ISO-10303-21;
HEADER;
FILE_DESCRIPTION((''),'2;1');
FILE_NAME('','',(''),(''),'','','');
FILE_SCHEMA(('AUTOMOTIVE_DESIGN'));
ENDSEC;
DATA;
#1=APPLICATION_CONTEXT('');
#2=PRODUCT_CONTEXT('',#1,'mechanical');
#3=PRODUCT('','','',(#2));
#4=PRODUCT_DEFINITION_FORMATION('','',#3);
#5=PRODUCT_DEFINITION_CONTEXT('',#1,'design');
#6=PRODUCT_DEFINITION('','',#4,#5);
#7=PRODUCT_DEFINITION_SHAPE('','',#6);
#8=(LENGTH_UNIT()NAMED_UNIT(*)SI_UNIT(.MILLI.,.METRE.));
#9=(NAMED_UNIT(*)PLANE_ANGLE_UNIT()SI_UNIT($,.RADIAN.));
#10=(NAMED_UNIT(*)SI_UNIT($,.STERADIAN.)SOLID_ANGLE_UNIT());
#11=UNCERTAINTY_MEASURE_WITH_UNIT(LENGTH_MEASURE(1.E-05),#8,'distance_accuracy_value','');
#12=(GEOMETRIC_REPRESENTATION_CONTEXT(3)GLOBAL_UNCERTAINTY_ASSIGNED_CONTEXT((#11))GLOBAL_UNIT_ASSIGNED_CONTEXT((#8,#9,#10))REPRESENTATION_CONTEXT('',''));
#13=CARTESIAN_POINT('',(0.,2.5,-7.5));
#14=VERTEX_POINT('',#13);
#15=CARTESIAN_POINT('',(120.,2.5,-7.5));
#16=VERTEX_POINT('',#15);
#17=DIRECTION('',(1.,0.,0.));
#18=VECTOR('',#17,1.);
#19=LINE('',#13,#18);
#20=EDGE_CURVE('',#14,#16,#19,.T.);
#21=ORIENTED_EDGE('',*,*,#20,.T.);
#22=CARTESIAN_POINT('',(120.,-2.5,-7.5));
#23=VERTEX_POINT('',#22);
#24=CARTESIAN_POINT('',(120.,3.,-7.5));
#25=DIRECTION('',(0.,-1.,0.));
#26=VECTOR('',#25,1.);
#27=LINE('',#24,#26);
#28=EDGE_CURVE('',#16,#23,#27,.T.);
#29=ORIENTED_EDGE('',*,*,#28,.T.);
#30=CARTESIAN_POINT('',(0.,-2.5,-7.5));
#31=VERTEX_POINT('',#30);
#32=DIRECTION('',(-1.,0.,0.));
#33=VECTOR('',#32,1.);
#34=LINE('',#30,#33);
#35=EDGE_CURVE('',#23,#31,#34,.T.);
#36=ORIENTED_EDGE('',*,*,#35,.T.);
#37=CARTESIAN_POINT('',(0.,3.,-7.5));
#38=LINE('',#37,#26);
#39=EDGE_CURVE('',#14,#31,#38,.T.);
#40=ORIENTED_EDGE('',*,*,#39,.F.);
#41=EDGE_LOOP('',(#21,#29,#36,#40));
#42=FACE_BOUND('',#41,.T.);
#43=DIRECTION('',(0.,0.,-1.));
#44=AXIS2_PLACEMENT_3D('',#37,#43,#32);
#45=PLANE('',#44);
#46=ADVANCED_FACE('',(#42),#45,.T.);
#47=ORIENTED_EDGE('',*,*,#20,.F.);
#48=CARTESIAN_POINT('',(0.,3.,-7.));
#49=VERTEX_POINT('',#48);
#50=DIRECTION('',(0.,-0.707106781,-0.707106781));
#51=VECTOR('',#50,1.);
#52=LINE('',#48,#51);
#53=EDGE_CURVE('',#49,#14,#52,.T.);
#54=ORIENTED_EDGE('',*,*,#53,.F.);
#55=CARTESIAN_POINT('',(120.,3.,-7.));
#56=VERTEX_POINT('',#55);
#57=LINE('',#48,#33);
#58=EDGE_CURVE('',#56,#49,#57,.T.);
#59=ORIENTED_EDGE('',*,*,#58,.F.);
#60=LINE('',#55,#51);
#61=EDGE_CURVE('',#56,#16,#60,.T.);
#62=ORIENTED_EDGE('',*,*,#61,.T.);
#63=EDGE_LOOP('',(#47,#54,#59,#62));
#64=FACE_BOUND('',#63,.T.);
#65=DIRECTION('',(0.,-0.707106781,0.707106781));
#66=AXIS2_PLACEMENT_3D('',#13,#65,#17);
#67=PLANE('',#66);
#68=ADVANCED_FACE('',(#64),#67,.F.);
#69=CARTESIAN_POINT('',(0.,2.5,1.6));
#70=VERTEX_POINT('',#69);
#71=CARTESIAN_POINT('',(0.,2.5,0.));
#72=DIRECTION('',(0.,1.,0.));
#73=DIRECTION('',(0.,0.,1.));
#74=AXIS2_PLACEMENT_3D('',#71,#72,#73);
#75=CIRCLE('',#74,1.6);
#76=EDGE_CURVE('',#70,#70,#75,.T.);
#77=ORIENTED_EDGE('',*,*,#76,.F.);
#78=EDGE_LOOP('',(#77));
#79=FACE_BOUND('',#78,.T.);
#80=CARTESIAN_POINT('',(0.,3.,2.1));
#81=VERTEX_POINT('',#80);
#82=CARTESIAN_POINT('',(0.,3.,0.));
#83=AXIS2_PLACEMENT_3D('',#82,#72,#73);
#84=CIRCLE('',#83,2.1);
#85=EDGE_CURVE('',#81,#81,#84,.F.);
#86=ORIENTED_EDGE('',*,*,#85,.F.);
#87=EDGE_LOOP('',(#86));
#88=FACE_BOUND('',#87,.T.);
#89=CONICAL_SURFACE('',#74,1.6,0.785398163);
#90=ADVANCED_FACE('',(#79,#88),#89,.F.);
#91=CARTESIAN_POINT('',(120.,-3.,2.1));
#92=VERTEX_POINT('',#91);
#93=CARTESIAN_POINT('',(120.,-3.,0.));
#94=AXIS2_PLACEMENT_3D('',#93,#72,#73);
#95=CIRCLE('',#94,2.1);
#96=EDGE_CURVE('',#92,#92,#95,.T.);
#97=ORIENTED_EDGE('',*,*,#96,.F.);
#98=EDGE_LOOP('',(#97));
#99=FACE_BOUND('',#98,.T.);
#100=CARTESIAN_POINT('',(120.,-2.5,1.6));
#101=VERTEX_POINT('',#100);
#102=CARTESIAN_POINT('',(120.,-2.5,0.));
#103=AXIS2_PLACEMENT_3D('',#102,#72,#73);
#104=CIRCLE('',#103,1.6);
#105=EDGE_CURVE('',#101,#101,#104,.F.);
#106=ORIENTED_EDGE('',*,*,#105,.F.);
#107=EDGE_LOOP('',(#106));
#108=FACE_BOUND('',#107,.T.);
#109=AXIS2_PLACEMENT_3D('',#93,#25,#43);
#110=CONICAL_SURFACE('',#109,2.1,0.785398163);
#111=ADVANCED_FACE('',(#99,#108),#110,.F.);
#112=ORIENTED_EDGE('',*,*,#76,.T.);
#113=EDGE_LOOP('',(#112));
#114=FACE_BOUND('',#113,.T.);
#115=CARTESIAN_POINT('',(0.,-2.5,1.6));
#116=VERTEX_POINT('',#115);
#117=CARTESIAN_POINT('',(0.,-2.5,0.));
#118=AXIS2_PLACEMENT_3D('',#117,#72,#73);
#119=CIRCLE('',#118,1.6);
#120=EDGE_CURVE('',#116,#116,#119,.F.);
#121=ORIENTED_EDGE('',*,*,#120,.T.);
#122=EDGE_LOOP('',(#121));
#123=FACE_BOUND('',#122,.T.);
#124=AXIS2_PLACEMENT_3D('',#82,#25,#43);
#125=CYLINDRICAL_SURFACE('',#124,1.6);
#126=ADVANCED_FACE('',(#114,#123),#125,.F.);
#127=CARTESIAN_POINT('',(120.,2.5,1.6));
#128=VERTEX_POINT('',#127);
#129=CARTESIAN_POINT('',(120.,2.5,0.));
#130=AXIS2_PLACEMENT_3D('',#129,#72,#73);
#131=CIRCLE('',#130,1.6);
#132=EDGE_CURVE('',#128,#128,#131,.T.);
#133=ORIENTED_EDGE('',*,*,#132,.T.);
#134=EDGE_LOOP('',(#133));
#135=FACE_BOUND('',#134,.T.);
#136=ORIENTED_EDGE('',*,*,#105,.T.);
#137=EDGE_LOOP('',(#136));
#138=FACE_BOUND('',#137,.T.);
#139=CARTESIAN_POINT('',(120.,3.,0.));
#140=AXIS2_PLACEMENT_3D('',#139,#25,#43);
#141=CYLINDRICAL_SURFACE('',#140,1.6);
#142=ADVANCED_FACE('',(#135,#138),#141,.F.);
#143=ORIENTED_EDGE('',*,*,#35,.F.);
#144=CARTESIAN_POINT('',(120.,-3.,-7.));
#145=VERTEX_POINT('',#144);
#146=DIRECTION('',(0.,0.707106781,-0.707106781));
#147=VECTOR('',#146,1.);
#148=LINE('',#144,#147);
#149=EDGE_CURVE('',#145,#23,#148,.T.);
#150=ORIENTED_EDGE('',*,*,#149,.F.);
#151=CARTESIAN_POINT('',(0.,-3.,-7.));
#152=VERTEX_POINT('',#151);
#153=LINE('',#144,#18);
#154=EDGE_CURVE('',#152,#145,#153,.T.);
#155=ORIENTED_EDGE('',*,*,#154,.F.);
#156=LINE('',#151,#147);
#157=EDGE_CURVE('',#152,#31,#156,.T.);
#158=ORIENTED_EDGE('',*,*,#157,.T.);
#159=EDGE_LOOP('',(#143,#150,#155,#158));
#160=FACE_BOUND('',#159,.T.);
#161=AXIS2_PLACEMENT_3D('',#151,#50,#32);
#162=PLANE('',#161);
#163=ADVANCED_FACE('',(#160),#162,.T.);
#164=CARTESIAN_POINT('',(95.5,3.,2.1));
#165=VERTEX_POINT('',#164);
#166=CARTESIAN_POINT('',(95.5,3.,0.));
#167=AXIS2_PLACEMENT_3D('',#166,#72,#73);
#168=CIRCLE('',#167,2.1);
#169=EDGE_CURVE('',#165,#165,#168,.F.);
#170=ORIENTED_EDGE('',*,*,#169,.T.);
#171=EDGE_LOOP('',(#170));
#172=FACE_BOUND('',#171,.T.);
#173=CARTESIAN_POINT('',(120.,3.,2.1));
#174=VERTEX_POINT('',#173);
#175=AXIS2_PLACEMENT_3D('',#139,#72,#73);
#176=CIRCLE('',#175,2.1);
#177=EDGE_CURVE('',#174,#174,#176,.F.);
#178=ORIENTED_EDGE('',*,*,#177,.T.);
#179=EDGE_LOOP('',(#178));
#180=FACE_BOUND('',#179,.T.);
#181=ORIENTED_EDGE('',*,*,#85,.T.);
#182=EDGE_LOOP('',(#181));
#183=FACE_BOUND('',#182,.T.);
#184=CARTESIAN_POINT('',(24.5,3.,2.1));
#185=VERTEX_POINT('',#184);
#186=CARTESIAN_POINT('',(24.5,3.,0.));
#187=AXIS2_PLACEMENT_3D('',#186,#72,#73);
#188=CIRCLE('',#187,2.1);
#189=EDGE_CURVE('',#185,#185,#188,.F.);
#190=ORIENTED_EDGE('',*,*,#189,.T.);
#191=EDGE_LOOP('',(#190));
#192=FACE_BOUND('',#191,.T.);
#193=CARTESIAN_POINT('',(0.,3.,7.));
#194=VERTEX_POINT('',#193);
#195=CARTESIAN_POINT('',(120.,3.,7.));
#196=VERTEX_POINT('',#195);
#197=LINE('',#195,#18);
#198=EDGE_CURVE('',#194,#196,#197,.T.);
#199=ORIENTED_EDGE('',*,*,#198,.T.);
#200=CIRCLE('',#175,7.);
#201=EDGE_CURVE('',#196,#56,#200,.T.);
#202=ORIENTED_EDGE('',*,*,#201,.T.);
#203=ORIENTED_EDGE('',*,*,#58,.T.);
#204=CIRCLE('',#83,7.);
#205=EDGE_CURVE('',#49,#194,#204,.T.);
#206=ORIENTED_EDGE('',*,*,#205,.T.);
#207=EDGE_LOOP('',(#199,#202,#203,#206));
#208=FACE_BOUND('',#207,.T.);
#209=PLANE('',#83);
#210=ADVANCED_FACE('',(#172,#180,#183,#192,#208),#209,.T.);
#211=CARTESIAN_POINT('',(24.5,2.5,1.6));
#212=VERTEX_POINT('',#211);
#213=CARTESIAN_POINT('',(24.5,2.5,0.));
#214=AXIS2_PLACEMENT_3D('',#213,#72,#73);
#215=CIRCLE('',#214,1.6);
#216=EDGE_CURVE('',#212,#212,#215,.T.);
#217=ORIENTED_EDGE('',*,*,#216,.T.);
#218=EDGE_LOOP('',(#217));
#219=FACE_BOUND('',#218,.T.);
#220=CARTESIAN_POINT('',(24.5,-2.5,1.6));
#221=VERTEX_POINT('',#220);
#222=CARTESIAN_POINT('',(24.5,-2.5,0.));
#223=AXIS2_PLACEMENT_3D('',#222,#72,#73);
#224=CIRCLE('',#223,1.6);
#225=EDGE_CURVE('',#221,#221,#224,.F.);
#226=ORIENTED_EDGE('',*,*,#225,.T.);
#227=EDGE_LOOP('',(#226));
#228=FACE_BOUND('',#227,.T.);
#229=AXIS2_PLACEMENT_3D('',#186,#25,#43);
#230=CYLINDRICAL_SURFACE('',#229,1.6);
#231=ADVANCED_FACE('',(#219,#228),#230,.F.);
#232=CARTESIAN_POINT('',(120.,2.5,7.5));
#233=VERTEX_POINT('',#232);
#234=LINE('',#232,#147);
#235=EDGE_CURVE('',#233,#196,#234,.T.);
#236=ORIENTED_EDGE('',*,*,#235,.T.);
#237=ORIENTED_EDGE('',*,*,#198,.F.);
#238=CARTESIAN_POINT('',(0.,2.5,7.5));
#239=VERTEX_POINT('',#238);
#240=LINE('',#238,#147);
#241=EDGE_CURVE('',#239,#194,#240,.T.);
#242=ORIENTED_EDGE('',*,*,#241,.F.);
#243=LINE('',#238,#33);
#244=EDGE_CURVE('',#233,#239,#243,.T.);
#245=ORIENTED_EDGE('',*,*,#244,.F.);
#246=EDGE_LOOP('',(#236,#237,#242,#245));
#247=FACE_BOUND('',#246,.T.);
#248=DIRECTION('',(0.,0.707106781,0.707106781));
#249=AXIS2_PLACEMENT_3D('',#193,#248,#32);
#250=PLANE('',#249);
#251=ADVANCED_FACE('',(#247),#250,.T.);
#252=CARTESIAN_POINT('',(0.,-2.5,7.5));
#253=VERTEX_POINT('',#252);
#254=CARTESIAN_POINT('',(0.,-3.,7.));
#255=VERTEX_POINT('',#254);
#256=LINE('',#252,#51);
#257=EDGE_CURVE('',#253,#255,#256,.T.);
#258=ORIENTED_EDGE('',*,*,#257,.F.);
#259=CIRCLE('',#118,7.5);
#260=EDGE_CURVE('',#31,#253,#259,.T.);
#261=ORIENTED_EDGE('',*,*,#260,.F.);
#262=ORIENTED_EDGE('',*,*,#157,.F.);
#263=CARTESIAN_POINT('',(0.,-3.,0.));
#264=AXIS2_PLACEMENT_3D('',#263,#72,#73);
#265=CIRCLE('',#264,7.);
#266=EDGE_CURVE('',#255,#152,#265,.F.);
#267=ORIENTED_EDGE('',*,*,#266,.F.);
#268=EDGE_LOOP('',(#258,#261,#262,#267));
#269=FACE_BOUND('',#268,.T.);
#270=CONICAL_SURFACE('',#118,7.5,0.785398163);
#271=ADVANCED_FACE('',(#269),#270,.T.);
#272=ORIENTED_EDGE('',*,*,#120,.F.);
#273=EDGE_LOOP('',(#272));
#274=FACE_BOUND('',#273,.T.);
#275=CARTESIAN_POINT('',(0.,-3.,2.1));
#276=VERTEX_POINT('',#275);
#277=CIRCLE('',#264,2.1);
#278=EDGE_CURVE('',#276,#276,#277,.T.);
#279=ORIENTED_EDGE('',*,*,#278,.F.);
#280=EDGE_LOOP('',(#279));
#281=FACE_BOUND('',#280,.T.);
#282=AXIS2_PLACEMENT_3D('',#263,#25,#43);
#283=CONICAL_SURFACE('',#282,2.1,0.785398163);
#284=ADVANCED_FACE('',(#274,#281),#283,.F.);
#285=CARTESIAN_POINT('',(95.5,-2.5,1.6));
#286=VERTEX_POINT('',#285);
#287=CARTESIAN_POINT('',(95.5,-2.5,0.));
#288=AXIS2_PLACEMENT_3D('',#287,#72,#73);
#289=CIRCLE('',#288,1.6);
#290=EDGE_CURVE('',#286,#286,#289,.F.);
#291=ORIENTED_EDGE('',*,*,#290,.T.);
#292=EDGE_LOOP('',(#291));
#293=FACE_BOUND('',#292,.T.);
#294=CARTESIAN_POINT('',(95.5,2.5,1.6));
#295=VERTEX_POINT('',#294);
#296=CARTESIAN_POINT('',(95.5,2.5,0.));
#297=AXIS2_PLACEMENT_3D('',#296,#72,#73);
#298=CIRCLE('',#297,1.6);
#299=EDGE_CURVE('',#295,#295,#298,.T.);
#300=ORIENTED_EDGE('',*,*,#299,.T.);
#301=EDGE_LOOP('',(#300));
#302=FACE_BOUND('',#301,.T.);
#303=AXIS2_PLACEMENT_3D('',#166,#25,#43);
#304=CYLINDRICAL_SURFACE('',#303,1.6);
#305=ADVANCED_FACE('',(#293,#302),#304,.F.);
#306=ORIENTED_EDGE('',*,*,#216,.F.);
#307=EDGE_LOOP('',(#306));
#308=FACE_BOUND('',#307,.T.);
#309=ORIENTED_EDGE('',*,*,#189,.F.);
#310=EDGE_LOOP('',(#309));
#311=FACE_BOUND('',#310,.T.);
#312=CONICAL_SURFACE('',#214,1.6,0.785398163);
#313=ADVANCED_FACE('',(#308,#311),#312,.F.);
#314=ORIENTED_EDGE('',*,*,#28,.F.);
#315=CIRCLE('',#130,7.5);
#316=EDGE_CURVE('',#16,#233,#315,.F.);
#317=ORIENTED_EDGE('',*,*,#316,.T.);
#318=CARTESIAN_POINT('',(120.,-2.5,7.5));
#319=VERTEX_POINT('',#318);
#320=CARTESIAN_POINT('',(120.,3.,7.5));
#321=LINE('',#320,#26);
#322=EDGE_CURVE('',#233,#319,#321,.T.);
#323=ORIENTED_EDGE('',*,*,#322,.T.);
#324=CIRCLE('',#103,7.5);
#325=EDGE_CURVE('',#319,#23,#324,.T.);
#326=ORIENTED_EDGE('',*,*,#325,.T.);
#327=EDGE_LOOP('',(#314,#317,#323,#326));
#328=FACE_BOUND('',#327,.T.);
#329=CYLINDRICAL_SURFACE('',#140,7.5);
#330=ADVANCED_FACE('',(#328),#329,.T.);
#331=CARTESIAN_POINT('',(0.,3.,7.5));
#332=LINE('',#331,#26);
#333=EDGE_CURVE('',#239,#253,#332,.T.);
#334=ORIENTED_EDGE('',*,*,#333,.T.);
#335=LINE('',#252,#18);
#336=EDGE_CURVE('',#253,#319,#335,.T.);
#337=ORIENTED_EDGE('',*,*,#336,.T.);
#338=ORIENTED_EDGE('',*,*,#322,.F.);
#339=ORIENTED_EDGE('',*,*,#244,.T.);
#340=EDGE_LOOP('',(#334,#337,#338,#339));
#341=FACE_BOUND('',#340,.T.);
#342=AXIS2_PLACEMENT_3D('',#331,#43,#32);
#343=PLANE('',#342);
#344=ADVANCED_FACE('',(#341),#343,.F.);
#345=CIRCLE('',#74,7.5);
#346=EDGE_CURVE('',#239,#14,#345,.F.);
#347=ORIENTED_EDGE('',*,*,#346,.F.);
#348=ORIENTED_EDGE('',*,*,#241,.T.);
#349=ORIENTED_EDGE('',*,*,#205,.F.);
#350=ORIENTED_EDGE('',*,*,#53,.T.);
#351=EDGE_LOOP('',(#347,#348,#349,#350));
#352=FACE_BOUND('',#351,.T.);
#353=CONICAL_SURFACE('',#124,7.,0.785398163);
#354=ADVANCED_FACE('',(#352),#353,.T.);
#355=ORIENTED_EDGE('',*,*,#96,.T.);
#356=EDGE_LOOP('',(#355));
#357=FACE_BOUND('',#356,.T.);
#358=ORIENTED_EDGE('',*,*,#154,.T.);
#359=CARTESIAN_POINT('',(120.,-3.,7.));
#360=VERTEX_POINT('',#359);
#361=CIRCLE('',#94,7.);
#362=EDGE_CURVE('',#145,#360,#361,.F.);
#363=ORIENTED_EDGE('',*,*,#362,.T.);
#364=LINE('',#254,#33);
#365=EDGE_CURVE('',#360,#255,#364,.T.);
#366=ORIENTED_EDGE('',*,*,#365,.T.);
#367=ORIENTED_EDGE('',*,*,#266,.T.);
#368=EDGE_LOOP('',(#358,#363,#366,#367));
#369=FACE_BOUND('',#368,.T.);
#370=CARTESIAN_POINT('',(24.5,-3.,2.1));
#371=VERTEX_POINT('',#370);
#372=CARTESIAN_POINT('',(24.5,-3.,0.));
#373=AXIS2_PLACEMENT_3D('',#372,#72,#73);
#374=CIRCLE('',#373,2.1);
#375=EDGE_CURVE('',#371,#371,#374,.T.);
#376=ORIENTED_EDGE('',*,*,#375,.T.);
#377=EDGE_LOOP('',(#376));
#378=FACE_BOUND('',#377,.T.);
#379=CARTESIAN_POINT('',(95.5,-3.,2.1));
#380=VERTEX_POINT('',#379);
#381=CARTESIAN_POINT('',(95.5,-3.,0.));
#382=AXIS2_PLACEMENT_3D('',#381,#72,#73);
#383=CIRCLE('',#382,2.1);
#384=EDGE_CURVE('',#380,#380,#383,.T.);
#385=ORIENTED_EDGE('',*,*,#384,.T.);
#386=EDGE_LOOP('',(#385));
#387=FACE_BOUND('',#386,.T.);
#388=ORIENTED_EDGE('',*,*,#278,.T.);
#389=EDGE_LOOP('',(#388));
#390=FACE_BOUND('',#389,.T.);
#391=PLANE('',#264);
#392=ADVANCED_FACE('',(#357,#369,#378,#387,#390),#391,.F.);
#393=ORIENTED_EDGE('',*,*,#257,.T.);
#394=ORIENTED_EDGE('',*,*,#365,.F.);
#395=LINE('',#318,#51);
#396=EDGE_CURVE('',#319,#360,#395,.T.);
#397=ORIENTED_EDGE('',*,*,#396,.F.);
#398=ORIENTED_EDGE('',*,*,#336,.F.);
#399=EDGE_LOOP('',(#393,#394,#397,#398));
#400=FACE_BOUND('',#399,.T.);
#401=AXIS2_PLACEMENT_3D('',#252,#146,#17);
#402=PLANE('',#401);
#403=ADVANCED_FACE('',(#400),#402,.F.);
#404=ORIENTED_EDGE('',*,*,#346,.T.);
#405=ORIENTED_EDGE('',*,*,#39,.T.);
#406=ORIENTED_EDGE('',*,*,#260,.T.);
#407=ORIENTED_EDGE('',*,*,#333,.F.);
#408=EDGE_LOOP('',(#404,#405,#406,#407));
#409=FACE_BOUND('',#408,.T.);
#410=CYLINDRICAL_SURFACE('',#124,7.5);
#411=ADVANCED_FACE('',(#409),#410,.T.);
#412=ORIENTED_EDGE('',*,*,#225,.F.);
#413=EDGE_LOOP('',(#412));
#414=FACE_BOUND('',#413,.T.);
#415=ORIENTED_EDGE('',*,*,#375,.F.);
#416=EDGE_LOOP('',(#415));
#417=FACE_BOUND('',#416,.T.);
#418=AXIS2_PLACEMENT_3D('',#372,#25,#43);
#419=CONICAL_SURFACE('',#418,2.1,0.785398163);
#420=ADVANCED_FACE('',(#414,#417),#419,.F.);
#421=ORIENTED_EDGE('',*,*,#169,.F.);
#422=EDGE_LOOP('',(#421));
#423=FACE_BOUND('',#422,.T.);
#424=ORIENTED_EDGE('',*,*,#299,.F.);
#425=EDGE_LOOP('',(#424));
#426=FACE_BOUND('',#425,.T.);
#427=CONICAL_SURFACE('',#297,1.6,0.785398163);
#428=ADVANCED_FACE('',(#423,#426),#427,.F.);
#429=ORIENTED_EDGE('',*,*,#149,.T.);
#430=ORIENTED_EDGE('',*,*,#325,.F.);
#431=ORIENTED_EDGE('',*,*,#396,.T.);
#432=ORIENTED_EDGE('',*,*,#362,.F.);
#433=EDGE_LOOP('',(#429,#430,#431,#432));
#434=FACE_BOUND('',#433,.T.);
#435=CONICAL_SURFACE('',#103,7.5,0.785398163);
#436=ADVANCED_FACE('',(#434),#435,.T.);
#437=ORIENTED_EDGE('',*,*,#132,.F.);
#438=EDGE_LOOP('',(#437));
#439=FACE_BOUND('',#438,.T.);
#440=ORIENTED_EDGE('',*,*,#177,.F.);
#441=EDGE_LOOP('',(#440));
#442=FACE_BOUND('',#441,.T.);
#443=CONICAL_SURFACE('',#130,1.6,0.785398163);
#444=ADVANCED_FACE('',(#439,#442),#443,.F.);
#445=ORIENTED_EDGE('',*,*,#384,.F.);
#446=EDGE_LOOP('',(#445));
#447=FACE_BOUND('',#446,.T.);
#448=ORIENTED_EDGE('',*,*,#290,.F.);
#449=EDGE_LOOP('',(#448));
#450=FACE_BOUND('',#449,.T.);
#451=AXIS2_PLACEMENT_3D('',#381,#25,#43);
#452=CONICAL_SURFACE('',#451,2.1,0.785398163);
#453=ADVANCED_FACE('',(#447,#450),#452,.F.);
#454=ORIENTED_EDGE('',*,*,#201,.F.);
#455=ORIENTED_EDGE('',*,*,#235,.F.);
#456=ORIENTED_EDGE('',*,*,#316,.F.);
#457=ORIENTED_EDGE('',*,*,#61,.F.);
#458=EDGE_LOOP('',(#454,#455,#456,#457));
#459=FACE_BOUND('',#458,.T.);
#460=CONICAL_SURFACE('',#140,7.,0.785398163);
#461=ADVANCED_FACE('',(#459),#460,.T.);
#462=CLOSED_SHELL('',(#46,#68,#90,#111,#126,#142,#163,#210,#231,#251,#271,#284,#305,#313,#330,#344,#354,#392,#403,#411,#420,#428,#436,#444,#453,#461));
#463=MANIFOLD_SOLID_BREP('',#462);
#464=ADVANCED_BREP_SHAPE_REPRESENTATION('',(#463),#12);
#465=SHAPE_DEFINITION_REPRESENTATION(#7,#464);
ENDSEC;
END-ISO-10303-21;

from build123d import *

# Parameters (mm, degrees)
SKETCH1_R           = 1.6
BOSS_EXTRUDE1_DEPTH = 3
CHAMFER1_SIZE       = 0.5


with BuildPart() as part:
    # Sketch1 → Boss-Extrude1 (new, symmetric)
    with BuildSketch(Plane(origin=(0, 0, 0), x_dir=(1, 0, 0), z_dir=(0, 1, 0))):
        with BuildLine():
            Line((0, 7.5), (120, 7.5))
            ThreePointArc((120, 7.5), (127.5, 0), (120, -7.5))
            Line((120, -7.5), (0, -7.5))
            ThreePointArc((0, -7.5), (-7.5, 0), (0, 7.5))
        make_face()
        with Locations(Location((0, 0, 0), (0, 0, 270))):
            Circle(SKETCH1_R, mode=Mode.SUBTRACT)
        with Locations(Location((120, 0, 0), (0, 0, 270))):
            Circle(SKETCH1_R, mode=Mode.SUBTRACT)
        with Locations(Location((24.5, 0, 0), (0, 0, 270))):
            Circle(SKETCH1_R, mode=Mode.SUBTRACT)
        with Locations(Location((95.5, 0, 0), (0, 0, 270))):
            Circle(SKETCH1_R, mode=Mode.SUBTRACT)
    extrude(amount=BOSS_EXTRUDE1_DEPTH, both=True)

    # Chamfer1
    chamfer1_edges = [part.edges().sort_by_distance(p)[0] for p in [
        (95.5, 3, -1.6),
        (-7.5, -3, 0),
        (60, -3, -7.5),
        (127.5, -3, 0),
        (60, -3, 7.5),
        (120, -3, -1.6),
        (0, -3, -1.6),
        (24.5, -3, -1.6),
        (95.5, -3, -1.6),
        (24.5, 3, -1.6),
        (0, 3, -1.6),
        (120, 3, -1.6),
        (60, 3, 7.5),
        (127.5, 3, 0),
        (60, 3, -7.5),
        (-7.5, 3, 0),
    ]]
    chamfer(chamfer1_edges, length=CHAMFER1_SIZE)


solid = part.part
